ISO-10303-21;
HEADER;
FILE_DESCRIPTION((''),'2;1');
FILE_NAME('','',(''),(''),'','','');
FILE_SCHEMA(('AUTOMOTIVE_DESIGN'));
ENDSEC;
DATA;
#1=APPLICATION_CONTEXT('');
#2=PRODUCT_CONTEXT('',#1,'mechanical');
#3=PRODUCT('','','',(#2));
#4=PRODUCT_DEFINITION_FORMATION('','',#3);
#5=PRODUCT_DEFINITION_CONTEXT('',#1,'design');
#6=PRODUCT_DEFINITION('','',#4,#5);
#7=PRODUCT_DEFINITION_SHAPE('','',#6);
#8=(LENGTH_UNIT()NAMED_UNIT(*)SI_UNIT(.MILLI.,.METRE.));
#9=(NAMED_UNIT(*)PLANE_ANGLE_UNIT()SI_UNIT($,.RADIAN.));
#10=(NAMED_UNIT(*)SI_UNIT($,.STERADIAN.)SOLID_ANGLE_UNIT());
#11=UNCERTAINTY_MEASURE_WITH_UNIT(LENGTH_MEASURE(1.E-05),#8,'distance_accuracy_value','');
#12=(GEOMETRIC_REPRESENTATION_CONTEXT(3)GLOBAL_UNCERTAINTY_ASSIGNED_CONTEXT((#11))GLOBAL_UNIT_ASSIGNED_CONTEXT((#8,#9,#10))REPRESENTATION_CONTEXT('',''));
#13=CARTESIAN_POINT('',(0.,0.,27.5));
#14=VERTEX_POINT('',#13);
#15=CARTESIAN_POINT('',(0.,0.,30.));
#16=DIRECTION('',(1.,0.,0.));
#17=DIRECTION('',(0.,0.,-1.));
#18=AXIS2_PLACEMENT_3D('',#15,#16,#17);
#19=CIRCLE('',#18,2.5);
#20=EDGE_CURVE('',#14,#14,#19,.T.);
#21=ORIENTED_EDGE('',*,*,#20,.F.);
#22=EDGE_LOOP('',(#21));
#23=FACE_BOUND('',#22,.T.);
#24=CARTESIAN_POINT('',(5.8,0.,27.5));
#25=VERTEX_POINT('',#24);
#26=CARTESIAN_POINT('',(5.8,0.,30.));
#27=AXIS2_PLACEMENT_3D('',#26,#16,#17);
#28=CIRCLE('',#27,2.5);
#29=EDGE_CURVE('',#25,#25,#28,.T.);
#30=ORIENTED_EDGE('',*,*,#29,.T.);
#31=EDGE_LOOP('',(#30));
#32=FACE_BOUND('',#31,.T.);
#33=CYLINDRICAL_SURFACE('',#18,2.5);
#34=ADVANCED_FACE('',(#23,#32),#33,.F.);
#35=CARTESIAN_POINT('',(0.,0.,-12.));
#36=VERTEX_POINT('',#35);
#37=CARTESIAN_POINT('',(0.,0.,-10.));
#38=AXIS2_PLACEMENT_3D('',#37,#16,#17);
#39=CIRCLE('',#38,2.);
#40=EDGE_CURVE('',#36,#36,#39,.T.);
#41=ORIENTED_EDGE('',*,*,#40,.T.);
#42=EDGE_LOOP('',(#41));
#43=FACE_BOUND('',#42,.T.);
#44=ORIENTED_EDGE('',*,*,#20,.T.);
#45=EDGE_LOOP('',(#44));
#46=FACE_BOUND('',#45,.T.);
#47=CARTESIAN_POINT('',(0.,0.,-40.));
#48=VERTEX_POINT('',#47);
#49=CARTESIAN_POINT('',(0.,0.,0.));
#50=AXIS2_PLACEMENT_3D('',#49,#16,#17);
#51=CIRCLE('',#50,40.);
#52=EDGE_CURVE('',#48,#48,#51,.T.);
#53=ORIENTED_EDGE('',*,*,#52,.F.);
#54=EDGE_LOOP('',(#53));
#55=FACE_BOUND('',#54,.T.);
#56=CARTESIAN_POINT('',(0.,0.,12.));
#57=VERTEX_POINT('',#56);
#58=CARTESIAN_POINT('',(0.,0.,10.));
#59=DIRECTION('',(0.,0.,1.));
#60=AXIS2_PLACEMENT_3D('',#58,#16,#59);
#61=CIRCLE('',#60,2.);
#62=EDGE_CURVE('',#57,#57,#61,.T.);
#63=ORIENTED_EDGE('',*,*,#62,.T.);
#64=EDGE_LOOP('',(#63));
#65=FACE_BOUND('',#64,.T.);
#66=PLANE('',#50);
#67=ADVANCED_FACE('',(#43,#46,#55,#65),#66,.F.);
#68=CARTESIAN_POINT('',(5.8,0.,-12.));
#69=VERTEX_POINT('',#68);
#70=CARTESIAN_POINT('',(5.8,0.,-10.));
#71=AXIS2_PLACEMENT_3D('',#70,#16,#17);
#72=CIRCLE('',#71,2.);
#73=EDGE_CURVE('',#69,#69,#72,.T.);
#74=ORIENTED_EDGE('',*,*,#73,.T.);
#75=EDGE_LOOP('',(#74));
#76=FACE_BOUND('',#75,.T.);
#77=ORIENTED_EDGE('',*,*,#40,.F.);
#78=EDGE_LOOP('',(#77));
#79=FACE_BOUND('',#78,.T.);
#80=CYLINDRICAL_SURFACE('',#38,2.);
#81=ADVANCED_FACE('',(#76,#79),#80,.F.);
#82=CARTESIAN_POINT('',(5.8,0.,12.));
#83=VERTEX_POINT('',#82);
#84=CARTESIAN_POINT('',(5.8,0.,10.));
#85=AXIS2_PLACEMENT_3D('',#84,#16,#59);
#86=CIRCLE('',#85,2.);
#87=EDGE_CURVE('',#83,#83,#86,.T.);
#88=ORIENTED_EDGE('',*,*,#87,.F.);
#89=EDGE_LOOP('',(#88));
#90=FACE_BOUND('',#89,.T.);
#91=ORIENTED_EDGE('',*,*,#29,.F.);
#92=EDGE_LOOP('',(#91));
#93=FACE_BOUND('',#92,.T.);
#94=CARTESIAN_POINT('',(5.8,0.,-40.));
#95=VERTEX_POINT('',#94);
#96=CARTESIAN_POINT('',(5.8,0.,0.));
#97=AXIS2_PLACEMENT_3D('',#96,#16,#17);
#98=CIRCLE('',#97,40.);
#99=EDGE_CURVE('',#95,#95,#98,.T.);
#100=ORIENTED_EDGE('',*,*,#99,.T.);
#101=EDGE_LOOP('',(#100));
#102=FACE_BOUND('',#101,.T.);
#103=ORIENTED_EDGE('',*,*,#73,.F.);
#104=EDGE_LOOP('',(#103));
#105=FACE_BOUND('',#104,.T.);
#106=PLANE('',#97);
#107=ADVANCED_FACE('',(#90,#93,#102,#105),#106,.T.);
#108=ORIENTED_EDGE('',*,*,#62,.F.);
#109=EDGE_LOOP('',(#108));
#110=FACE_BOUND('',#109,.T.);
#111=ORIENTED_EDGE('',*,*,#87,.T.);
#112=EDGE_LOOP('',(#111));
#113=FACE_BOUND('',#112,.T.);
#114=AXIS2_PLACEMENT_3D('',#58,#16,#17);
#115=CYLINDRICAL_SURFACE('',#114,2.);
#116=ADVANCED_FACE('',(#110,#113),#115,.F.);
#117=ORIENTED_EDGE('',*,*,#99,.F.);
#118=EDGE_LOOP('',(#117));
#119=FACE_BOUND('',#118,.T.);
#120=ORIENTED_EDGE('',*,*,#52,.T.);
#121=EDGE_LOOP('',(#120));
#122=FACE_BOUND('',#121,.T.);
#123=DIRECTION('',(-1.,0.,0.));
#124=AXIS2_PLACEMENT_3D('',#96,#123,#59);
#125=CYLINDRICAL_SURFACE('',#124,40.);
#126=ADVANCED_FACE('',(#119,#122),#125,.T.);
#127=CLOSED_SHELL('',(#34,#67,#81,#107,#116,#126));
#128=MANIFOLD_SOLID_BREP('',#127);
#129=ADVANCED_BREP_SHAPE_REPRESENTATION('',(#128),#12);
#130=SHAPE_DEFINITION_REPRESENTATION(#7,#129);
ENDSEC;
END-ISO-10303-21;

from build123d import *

# Parameters (mm, degrees)
SKETCH_1_R          = 40
EXTRUDE_1_DEPTH     = 5.8
SKETCH_2_R          = 2
SKETCH_2_R_2        = 2.5
CUT_EXTRUDE_1_DEPTH = 57.865103535


with BuildPart() as part:
    # ｽｹｯﾁ1 → ﾎﾞｽ - 押し出し1 (new body)
    with BuildSketch(Plane(origin=(0, 0, 0), x_dir=(0, 0, -1), z_dir=(1, 0, 0))):
        Circle(SKETCH_1_R)
    extrude(amount=EXTRUDE_1_DEPTH)

    # ｽｹｯﾁ2 → ｶｯﾄ - 押し出し1 (cut, through all)
    with BuildSketch(Plane(origin=(5.8, 0, 0), x_dir=(0, 0, -1), z_dir=(1, 0, 0))):
        with Locations((10, 0)):
            Circle(SKETCH_2_R)
        with Locations(Location((-10, 0, 0), (0, 0, 180))):
            Circle(SKETCH_2_R)
        with Locations((-30, 0)):
            Circle(SKETCH_2_R_2)
    extrude(amount=-CUT_EXTRUDE_1_DEPTH, mode=Mode.SUBTRACT)


solid = part.part
